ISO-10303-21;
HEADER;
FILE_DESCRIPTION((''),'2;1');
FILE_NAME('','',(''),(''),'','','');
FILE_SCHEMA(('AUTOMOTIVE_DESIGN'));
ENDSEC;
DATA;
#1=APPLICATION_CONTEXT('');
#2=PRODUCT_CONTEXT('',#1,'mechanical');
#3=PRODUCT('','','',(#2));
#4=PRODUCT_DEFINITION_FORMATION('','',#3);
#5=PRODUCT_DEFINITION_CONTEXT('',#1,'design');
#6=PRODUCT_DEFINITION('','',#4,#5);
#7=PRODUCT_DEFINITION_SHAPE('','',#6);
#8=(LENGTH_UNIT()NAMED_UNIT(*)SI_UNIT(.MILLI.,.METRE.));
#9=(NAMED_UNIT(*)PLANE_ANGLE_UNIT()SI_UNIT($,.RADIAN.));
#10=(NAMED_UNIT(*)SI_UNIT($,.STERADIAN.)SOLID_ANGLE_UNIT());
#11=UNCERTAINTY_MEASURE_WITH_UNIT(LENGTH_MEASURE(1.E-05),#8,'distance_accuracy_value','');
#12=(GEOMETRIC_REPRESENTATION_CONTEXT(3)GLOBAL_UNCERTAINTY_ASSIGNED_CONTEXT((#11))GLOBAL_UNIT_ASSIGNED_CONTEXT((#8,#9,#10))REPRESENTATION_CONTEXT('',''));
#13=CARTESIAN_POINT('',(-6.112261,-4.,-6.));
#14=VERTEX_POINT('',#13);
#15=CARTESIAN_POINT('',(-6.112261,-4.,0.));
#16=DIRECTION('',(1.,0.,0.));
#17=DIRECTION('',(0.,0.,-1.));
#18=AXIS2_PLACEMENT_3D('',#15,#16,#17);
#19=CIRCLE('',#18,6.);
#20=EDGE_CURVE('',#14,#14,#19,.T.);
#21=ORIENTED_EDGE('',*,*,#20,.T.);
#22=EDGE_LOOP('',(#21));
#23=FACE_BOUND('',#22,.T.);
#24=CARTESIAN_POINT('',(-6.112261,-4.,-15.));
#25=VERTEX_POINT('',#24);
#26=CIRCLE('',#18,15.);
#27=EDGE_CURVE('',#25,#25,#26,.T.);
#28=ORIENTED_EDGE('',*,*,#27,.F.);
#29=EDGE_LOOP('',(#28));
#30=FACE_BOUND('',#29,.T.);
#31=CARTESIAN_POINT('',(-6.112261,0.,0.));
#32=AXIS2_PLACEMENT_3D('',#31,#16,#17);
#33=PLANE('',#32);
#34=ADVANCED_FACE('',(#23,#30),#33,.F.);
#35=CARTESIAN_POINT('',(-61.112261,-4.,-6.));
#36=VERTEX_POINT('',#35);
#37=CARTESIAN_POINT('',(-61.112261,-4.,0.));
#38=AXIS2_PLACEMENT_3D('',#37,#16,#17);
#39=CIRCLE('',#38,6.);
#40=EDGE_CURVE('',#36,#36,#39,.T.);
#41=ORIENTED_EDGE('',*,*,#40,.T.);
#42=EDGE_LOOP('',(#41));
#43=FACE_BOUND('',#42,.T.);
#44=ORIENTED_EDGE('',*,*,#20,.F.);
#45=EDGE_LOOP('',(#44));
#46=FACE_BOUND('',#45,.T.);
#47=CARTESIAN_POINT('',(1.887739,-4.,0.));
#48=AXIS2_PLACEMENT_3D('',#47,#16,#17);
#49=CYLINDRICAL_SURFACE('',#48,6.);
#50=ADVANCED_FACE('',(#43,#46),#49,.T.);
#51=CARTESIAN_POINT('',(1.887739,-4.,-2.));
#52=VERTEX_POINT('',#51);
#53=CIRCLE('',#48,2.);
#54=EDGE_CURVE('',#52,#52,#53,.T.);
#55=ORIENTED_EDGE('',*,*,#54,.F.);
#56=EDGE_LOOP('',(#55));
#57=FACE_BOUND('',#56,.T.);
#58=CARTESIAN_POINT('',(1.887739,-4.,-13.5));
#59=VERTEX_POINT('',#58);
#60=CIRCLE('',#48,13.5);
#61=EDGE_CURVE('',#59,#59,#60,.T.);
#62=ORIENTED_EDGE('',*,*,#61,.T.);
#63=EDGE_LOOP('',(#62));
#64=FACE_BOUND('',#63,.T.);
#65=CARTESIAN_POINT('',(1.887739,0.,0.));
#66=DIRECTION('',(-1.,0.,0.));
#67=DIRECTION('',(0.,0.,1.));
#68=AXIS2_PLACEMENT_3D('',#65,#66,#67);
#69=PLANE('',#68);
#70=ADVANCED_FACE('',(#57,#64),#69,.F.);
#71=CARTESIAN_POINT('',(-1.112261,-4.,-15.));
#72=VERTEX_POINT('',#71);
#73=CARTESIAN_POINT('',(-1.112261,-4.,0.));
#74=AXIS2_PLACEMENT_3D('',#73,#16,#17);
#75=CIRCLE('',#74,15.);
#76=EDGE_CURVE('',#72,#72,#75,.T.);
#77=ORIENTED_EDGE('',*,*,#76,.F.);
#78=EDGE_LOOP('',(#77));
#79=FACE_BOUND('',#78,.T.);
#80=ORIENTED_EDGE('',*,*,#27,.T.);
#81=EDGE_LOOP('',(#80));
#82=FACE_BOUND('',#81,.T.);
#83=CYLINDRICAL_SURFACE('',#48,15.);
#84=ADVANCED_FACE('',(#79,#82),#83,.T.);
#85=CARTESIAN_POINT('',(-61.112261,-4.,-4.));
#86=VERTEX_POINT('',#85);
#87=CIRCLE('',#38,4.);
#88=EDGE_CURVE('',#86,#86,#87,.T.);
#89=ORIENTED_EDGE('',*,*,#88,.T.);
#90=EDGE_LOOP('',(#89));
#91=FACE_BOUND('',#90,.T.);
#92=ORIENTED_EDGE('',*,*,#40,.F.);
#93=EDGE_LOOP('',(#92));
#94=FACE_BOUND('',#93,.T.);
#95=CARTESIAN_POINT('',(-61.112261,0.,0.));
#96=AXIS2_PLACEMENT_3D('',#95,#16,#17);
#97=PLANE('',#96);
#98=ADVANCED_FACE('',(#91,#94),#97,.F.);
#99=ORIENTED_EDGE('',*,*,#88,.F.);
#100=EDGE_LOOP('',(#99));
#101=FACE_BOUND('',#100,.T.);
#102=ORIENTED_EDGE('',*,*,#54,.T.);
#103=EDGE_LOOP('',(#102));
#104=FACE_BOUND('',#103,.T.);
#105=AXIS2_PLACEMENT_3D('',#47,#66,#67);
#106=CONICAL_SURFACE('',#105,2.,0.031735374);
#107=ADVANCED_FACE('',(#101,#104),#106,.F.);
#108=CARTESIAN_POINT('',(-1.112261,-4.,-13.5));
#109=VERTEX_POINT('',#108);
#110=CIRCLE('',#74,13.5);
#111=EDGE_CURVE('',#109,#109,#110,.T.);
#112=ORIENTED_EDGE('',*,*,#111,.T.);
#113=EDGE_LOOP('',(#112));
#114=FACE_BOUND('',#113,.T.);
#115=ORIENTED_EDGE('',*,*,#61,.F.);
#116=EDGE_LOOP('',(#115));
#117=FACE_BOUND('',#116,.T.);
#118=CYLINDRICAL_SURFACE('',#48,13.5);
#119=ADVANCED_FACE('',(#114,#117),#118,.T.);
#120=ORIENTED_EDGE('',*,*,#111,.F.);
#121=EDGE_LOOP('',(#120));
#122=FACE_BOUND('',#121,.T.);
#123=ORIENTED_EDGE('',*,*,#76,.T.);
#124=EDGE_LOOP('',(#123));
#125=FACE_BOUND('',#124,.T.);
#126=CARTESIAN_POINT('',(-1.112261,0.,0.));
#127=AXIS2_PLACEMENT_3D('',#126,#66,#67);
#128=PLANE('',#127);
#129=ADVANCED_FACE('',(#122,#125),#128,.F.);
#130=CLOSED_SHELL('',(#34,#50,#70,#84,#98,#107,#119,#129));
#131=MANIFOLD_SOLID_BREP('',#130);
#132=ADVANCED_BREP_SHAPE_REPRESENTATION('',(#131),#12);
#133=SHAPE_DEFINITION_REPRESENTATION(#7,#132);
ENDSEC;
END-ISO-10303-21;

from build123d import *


with BuildPart() as part:
    # Sketch1 → Revolve1 (revolve)
    with BuildSketch(Plane.XY, mode=Mode.PRIVATE) as revolve1_sk:
        Polygon((1.887739405, -2), (-61.112260595, 0), (-61.112260595, 2), (-6.112260595, 2), (-6.112260595, 11), (-1.112260595, 11), (-1.112260595, 9.5), (1.887739405, 9.5), align=None)
    revolve(revolve1_sk.sketch.rotate(Axis((1.887739405, -4, 0), (-1, 0, 0)), 90), axis=Axis((1.887739405, -4, 0), (-1, 0, 0)))


solid = part.part
